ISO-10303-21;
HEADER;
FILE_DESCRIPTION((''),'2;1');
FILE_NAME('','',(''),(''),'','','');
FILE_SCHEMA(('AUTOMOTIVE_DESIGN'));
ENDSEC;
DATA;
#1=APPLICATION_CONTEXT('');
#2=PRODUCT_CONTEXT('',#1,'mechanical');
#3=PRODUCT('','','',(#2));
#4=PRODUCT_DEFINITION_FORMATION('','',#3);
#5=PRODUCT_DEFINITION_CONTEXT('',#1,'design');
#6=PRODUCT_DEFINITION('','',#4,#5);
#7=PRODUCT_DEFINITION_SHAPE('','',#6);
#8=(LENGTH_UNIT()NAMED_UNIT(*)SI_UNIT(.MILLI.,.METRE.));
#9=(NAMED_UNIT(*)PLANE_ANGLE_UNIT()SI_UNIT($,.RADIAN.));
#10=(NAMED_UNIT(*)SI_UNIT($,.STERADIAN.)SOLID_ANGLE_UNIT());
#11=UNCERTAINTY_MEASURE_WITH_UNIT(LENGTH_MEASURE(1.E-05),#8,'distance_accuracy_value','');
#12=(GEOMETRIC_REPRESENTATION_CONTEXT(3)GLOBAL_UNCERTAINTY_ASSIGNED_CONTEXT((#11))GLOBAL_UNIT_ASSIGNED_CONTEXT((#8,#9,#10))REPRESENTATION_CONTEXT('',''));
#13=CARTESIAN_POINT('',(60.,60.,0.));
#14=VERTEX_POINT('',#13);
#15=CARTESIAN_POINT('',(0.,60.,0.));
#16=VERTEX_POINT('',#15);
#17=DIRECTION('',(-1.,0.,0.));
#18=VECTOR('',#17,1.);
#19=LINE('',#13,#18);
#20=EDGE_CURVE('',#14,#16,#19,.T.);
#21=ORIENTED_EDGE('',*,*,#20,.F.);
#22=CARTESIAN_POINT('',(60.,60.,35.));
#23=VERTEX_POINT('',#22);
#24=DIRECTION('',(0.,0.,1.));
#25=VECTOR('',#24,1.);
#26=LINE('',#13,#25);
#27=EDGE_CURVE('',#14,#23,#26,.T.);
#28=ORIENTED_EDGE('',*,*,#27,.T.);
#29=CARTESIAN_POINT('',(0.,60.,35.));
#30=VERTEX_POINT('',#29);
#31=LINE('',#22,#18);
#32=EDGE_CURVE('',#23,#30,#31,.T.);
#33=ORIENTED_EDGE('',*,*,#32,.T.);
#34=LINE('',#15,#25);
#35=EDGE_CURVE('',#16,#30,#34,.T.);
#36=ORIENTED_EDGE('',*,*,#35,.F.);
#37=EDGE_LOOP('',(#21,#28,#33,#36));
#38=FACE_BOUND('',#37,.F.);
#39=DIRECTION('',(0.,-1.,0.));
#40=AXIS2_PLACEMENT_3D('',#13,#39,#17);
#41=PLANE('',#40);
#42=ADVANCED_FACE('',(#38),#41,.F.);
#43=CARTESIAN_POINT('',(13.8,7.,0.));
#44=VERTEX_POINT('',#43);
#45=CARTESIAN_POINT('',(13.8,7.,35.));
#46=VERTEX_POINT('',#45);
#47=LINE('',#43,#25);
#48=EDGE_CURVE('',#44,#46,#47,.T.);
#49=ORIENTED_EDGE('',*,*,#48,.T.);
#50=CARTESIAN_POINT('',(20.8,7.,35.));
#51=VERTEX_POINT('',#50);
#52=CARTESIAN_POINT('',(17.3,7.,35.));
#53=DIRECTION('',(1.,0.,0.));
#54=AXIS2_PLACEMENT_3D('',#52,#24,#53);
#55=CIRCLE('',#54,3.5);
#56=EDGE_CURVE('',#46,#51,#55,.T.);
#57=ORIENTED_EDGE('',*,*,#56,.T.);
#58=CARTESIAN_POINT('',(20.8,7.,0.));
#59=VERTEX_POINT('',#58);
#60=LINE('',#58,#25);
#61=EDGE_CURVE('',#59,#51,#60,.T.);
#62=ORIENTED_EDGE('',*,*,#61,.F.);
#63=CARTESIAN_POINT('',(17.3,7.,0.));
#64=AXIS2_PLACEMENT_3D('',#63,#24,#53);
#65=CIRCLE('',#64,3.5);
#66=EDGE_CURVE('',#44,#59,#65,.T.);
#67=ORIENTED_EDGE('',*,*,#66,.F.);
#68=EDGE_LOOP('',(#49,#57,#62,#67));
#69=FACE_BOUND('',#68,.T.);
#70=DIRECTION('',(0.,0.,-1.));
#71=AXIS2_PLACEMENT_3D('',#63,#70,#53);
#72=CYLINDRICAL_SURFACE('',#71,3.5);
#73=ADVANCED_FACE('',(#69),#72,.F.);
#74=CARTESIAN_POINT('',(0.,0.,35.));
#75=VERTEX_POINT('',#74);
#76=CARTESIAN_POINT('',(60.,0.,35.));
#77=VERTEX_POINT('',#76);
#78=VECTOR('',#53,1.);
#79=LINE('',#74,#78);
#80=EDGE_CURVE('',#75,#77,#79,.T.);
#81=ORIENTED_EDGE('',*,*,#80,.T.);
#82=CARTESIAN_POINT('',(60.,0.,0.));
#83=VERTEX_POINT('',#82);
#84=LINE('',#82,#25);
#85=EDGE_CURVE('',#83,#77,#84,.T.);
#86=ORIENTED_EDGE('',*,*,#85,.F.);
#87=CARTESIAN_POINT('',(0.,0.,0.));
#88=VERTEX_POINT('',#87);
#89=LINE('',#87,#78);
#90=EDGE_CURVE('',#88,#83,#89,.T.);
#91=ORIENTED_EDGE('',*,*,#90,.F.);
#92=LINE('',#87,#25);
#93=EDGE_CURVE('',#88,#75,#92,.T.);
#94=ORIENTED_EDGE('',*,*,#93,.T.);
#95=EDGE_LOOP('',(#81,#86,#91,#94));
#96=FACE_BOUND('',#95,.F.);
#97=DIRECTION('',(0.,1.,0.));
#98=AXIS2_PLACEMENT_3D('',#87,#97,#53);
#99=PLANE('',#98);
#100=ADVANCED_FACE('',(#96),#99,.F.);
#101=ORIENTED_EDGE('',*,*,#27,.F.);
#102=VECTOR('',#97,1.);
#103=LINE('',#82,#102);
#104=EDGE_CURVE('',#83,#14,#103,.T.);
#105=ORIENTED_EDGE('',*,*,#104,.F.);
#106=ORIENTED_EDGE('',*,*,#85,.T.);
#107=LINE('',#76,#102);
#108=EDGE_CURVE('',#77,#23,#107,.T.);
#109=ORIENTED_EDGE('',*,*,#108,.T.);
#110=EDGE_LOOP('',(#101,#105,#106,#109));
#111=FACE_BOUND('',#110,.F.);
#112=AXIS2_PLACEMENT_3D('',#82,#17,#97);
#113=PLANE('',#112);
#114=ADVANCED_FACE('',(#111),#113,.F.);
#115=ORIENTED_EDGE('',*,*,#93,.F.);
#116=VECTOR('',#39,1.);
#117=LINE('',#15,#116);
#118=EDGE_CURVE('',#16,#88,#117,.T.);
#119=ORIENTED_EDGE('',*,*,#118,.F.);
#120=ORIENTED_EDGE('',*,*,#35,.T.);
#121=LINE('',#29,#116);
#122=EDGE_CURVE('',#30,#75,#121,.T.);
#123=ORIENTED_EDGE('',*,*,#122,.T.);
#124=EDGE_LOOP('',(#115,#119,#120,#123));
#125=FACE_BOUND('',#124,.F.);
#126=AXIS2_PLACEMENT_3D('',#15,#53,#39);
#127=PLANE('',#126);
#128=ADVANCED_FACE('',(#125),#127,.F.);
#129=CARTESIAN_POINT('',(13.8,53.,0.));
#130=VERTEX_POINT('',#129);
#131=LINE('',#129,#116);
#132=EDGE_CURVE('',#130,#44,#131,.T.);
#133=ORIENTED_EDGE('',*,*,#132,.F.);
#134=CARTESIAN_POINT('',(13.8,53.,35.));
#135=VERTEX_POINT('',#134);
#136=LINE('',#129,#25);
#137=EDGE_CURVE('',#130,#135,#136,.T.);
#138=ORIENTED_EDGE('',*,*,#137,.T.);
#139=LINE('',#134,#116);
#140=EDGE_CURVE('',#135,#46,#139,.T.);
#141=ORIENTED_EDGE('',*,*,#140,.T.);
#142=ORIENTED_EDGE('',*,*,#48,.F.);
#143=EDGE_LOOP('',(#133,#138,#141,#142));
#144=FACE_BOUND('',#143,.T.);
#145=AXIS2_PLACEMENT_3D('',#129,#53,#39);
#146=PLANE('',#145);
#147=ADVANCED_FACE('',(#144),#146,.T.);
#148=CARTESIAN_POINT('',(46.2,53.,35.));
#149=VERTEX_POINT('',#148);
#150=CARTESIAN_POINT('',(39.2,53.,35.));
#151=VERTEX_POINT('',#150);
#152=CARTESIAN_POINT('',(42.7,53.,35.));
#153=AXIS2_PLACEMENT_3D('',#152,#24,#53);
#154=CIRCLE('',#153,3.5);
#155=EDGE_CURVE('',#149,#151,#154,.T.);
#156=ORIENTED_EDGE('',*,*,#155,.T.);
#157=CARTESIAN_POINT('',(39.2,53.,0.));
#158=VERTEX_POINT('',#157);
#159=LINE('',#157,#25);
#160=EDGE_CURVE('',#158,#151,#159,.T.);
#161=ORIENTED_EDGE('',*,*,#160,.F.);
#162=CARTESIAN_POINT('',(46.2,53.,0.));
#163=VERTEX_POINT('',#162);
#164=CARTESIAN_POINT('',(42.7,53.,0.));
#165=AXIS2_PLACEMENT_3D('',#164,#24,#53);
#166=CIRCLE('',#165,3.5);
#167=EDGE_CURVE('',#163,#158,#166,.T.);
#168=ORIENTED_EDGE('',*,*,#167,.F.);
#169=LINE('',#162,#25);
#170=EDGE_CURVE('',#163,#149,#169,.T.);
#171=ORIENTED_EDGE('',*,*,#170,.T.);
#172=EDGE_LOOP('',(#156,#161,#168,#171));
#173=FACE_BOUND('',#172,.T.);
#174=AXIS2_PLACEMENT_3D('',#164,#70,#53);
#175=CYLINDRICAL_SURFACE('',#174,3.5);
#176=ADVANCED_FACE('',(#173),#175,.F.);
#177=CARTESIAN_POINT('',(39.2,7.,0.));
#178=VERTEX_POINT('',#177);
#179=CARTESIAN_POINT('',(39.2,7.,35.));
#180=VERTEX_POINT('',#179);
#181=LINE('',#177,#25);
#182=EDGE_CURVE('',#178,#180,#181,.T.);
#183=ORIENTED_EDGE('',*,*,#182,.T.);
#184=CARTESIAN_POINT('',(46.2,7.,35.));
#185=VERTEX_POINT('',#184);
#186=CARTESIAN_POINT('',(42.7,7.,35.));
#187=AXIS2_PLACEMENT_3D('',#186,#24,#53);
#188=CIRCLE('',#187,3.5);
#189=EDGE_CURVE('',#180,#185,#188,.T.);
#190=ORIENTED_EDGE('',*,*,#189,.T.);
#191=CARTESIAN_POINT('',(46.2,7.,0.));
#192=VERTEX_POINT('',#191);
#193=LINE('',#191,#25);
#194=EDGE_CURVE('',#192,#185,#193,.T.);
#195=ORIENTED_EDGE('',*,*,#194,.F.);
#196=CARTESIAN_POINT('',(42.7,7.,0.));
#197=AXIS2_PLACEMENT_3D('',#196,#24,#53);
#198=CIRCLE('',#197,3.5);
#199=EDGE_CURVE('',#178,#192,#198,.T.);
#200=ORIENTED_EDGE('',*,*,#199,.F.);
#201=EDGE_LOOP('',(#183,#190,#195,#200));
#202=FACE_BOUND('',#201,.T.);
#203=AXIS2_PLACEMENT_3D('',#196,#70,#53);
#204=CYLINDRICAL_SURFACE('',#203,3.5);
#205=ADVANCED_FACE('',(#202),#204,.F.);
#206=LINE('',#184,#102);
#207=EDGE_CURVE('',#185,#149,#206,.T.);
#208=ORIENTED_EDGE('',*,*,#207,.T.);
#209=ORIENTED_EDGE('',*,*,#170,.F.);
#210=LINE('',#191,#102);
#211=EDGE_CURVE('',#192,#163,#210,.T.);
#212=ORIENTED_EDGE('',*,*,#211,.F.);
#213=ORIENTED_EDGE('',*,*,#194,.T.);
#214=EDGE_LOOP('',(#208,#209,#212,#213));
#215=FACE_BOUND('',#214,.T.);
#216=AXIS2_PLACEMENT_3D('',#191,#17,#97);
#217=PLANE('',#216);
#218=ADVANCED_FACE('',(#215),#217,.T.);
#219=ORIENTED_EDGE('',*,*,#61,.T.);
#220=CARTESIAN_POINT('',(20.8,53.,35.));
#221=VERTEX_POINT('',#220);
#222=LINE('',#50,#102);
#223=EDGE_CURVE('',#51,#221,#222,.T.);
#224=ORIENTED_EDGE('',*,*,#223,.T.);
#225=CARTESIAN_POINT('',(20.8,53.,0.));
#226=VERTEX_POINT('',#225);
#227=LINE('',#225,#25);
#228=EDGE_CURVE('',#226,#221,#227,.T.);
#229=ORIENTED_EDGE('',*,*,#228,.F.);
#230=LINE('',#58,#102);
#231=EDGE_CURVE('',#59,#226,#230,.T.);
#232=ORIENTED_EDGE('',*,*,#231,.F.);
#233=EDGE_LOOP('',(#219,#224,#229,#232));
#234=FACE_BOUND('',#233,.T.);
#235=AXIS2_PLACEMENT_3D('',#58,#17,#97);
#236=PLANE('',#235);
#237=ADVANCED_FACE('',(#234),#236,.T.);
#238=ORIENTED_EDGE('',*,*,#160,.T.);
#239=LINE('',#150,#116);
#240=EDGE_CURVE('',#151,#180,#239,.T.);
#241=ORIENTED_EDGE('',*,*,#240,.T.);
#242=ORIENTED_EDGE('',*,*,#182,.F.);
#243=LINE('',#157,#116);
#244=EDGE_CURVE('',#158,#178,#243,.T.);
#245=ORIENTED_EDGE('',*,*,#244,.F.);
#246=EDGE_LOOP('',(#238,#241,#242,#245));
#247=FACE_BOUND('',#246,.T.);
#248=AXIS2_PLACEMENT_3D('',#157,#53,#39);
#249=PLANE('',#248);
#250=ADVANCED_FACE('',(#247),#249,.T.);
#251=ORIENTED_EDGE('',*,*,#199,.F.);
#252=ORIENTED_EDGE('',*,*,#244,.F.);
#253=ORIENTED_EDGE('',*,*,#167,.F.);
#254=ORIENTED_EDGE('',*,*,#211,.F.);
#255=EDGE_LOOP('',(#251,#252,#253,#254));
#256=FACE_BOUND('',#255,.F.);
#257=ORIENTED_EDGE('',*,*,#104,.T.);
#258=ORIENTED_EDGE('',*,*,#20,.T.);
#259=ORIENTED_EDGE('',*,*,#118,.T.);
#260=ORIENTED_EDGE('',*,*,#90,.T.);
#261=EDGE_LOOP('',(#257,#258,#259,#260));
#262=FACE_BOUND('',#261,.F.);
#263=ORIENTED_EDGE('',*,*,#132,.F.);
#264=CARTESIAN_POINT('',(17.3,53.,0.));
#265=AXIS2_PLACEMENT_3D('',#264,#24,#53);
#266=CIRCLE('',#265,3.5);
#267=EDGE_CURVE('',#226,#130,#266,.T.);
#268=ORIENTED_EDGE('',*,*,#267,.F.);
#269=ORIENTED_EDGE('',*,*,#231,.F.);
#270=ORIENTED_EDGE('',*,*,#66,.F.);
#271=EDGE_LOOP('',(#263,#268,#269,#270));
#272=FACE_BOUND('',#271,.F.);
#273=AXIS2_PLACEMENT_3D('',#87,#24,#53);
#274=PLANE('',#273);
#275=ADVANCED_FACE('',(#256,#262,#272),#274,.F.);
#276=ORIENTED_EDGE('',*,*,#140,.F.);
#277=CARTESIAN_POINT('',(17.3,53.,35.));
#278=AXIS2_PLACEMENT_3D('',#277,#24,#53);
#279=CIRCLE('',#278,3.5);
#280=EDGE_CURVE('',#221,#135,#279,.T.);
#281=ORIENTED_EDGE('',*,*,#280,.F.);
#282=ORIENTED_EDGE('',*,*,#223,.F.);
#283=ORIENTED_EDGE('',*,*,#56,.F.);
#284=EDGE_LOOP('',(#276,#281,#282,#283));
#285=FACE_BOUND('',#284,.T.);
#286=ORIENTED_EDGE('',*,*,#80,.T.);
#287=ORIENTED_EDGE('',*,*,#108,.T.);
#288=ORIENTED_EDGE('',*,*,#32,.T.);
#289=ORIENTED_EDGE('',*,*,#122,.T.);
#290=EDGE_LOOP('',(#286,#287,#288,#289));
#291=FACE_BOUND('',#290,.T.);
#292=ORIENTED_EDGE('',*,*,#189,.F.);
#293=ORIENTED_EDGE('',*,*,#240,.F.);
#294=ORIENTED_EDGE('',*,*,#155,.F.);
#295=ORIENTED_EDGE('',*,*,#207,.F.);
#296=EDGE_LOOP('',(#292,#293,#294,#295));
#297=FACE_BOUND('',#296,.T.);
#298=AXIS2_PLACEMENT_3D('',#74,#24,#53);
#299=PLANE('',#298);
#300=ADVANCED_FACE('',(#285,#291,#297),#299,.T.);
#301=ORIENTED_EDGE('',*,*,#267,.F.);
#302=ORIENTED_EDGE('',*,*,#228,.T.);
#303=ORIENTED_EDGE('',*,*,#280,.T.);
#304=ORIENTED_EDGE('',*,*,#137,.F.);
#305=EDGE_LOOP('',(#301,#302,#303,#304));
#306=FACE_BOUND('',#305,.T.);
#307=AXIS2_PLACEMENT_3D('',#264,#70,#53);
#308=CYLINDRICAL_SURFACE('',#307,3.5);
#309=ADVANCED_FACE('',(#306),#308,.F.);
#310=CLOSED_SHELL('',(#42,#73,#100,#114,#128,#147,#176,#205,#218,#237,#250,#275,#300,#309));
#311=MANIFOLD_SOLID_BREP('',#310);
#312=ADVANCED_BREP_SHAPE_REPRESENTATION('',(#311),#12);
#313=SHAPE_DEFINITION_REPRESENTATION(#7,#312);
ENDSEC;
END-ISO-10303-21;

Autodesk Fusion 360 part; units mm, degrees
sketch "Sketch1" plane through (0, 0, 0) normal (0, 0, 1) x (1, 0, 0)
  line L0 (0, 0) -> (60, 0)
  line L1 (60, 0) -> (60, 60)
  line L2 (60, 60) -> (0, 60)
  line L3 (0, 60) -> (0, 0)
  line L4 (60, 60) -> (0, 0) construction
  line L5 (0, 60) -> (60, 0) construction
  line L6 (30, 30) -> (30, 60) construction
  line L7 (30, 30) -> (30, 0) construction
  line L8 (17.3, 60) -> (17.3, 0) construction
  line L9 (42.7, 60) -> (42.7, 0) construction
  line L10 (0, 7) -> (60, 7) construction
  line L11 (0, 53) -> (60, 53) construction
  circle A0 centre (17.3, 53) radius 3.5
  circle A1 centre (17.3, 7) radius 3.5
  circle A2 centre (42.7, 7) radius 3.5
  circle A3 centre (42.7, 53) radius 3.5
  line L12 (13.8, 53) -> (13.8, 7)
  line L13 (20.8, 7) -> (20.8, 53)
  line L14 (39.2, 53) -> (39.2, 7)
  line L15 (46.2, 7) -> (46.2, 53)
  dimension "d1" = 60
  dimension "d2" = 60
  dimension "d3" = 12.7
  dimension "d4" = 12.7
  dimension "d5" = 23
  dimension "d8" = 23
  dimension "d9" = 7
  dimension "d10" = 7
  dimension "d11" = 7
  dimension "d12" = 7
extrude "Extrude1" add sketch "Sketch1" along normal blind 35
